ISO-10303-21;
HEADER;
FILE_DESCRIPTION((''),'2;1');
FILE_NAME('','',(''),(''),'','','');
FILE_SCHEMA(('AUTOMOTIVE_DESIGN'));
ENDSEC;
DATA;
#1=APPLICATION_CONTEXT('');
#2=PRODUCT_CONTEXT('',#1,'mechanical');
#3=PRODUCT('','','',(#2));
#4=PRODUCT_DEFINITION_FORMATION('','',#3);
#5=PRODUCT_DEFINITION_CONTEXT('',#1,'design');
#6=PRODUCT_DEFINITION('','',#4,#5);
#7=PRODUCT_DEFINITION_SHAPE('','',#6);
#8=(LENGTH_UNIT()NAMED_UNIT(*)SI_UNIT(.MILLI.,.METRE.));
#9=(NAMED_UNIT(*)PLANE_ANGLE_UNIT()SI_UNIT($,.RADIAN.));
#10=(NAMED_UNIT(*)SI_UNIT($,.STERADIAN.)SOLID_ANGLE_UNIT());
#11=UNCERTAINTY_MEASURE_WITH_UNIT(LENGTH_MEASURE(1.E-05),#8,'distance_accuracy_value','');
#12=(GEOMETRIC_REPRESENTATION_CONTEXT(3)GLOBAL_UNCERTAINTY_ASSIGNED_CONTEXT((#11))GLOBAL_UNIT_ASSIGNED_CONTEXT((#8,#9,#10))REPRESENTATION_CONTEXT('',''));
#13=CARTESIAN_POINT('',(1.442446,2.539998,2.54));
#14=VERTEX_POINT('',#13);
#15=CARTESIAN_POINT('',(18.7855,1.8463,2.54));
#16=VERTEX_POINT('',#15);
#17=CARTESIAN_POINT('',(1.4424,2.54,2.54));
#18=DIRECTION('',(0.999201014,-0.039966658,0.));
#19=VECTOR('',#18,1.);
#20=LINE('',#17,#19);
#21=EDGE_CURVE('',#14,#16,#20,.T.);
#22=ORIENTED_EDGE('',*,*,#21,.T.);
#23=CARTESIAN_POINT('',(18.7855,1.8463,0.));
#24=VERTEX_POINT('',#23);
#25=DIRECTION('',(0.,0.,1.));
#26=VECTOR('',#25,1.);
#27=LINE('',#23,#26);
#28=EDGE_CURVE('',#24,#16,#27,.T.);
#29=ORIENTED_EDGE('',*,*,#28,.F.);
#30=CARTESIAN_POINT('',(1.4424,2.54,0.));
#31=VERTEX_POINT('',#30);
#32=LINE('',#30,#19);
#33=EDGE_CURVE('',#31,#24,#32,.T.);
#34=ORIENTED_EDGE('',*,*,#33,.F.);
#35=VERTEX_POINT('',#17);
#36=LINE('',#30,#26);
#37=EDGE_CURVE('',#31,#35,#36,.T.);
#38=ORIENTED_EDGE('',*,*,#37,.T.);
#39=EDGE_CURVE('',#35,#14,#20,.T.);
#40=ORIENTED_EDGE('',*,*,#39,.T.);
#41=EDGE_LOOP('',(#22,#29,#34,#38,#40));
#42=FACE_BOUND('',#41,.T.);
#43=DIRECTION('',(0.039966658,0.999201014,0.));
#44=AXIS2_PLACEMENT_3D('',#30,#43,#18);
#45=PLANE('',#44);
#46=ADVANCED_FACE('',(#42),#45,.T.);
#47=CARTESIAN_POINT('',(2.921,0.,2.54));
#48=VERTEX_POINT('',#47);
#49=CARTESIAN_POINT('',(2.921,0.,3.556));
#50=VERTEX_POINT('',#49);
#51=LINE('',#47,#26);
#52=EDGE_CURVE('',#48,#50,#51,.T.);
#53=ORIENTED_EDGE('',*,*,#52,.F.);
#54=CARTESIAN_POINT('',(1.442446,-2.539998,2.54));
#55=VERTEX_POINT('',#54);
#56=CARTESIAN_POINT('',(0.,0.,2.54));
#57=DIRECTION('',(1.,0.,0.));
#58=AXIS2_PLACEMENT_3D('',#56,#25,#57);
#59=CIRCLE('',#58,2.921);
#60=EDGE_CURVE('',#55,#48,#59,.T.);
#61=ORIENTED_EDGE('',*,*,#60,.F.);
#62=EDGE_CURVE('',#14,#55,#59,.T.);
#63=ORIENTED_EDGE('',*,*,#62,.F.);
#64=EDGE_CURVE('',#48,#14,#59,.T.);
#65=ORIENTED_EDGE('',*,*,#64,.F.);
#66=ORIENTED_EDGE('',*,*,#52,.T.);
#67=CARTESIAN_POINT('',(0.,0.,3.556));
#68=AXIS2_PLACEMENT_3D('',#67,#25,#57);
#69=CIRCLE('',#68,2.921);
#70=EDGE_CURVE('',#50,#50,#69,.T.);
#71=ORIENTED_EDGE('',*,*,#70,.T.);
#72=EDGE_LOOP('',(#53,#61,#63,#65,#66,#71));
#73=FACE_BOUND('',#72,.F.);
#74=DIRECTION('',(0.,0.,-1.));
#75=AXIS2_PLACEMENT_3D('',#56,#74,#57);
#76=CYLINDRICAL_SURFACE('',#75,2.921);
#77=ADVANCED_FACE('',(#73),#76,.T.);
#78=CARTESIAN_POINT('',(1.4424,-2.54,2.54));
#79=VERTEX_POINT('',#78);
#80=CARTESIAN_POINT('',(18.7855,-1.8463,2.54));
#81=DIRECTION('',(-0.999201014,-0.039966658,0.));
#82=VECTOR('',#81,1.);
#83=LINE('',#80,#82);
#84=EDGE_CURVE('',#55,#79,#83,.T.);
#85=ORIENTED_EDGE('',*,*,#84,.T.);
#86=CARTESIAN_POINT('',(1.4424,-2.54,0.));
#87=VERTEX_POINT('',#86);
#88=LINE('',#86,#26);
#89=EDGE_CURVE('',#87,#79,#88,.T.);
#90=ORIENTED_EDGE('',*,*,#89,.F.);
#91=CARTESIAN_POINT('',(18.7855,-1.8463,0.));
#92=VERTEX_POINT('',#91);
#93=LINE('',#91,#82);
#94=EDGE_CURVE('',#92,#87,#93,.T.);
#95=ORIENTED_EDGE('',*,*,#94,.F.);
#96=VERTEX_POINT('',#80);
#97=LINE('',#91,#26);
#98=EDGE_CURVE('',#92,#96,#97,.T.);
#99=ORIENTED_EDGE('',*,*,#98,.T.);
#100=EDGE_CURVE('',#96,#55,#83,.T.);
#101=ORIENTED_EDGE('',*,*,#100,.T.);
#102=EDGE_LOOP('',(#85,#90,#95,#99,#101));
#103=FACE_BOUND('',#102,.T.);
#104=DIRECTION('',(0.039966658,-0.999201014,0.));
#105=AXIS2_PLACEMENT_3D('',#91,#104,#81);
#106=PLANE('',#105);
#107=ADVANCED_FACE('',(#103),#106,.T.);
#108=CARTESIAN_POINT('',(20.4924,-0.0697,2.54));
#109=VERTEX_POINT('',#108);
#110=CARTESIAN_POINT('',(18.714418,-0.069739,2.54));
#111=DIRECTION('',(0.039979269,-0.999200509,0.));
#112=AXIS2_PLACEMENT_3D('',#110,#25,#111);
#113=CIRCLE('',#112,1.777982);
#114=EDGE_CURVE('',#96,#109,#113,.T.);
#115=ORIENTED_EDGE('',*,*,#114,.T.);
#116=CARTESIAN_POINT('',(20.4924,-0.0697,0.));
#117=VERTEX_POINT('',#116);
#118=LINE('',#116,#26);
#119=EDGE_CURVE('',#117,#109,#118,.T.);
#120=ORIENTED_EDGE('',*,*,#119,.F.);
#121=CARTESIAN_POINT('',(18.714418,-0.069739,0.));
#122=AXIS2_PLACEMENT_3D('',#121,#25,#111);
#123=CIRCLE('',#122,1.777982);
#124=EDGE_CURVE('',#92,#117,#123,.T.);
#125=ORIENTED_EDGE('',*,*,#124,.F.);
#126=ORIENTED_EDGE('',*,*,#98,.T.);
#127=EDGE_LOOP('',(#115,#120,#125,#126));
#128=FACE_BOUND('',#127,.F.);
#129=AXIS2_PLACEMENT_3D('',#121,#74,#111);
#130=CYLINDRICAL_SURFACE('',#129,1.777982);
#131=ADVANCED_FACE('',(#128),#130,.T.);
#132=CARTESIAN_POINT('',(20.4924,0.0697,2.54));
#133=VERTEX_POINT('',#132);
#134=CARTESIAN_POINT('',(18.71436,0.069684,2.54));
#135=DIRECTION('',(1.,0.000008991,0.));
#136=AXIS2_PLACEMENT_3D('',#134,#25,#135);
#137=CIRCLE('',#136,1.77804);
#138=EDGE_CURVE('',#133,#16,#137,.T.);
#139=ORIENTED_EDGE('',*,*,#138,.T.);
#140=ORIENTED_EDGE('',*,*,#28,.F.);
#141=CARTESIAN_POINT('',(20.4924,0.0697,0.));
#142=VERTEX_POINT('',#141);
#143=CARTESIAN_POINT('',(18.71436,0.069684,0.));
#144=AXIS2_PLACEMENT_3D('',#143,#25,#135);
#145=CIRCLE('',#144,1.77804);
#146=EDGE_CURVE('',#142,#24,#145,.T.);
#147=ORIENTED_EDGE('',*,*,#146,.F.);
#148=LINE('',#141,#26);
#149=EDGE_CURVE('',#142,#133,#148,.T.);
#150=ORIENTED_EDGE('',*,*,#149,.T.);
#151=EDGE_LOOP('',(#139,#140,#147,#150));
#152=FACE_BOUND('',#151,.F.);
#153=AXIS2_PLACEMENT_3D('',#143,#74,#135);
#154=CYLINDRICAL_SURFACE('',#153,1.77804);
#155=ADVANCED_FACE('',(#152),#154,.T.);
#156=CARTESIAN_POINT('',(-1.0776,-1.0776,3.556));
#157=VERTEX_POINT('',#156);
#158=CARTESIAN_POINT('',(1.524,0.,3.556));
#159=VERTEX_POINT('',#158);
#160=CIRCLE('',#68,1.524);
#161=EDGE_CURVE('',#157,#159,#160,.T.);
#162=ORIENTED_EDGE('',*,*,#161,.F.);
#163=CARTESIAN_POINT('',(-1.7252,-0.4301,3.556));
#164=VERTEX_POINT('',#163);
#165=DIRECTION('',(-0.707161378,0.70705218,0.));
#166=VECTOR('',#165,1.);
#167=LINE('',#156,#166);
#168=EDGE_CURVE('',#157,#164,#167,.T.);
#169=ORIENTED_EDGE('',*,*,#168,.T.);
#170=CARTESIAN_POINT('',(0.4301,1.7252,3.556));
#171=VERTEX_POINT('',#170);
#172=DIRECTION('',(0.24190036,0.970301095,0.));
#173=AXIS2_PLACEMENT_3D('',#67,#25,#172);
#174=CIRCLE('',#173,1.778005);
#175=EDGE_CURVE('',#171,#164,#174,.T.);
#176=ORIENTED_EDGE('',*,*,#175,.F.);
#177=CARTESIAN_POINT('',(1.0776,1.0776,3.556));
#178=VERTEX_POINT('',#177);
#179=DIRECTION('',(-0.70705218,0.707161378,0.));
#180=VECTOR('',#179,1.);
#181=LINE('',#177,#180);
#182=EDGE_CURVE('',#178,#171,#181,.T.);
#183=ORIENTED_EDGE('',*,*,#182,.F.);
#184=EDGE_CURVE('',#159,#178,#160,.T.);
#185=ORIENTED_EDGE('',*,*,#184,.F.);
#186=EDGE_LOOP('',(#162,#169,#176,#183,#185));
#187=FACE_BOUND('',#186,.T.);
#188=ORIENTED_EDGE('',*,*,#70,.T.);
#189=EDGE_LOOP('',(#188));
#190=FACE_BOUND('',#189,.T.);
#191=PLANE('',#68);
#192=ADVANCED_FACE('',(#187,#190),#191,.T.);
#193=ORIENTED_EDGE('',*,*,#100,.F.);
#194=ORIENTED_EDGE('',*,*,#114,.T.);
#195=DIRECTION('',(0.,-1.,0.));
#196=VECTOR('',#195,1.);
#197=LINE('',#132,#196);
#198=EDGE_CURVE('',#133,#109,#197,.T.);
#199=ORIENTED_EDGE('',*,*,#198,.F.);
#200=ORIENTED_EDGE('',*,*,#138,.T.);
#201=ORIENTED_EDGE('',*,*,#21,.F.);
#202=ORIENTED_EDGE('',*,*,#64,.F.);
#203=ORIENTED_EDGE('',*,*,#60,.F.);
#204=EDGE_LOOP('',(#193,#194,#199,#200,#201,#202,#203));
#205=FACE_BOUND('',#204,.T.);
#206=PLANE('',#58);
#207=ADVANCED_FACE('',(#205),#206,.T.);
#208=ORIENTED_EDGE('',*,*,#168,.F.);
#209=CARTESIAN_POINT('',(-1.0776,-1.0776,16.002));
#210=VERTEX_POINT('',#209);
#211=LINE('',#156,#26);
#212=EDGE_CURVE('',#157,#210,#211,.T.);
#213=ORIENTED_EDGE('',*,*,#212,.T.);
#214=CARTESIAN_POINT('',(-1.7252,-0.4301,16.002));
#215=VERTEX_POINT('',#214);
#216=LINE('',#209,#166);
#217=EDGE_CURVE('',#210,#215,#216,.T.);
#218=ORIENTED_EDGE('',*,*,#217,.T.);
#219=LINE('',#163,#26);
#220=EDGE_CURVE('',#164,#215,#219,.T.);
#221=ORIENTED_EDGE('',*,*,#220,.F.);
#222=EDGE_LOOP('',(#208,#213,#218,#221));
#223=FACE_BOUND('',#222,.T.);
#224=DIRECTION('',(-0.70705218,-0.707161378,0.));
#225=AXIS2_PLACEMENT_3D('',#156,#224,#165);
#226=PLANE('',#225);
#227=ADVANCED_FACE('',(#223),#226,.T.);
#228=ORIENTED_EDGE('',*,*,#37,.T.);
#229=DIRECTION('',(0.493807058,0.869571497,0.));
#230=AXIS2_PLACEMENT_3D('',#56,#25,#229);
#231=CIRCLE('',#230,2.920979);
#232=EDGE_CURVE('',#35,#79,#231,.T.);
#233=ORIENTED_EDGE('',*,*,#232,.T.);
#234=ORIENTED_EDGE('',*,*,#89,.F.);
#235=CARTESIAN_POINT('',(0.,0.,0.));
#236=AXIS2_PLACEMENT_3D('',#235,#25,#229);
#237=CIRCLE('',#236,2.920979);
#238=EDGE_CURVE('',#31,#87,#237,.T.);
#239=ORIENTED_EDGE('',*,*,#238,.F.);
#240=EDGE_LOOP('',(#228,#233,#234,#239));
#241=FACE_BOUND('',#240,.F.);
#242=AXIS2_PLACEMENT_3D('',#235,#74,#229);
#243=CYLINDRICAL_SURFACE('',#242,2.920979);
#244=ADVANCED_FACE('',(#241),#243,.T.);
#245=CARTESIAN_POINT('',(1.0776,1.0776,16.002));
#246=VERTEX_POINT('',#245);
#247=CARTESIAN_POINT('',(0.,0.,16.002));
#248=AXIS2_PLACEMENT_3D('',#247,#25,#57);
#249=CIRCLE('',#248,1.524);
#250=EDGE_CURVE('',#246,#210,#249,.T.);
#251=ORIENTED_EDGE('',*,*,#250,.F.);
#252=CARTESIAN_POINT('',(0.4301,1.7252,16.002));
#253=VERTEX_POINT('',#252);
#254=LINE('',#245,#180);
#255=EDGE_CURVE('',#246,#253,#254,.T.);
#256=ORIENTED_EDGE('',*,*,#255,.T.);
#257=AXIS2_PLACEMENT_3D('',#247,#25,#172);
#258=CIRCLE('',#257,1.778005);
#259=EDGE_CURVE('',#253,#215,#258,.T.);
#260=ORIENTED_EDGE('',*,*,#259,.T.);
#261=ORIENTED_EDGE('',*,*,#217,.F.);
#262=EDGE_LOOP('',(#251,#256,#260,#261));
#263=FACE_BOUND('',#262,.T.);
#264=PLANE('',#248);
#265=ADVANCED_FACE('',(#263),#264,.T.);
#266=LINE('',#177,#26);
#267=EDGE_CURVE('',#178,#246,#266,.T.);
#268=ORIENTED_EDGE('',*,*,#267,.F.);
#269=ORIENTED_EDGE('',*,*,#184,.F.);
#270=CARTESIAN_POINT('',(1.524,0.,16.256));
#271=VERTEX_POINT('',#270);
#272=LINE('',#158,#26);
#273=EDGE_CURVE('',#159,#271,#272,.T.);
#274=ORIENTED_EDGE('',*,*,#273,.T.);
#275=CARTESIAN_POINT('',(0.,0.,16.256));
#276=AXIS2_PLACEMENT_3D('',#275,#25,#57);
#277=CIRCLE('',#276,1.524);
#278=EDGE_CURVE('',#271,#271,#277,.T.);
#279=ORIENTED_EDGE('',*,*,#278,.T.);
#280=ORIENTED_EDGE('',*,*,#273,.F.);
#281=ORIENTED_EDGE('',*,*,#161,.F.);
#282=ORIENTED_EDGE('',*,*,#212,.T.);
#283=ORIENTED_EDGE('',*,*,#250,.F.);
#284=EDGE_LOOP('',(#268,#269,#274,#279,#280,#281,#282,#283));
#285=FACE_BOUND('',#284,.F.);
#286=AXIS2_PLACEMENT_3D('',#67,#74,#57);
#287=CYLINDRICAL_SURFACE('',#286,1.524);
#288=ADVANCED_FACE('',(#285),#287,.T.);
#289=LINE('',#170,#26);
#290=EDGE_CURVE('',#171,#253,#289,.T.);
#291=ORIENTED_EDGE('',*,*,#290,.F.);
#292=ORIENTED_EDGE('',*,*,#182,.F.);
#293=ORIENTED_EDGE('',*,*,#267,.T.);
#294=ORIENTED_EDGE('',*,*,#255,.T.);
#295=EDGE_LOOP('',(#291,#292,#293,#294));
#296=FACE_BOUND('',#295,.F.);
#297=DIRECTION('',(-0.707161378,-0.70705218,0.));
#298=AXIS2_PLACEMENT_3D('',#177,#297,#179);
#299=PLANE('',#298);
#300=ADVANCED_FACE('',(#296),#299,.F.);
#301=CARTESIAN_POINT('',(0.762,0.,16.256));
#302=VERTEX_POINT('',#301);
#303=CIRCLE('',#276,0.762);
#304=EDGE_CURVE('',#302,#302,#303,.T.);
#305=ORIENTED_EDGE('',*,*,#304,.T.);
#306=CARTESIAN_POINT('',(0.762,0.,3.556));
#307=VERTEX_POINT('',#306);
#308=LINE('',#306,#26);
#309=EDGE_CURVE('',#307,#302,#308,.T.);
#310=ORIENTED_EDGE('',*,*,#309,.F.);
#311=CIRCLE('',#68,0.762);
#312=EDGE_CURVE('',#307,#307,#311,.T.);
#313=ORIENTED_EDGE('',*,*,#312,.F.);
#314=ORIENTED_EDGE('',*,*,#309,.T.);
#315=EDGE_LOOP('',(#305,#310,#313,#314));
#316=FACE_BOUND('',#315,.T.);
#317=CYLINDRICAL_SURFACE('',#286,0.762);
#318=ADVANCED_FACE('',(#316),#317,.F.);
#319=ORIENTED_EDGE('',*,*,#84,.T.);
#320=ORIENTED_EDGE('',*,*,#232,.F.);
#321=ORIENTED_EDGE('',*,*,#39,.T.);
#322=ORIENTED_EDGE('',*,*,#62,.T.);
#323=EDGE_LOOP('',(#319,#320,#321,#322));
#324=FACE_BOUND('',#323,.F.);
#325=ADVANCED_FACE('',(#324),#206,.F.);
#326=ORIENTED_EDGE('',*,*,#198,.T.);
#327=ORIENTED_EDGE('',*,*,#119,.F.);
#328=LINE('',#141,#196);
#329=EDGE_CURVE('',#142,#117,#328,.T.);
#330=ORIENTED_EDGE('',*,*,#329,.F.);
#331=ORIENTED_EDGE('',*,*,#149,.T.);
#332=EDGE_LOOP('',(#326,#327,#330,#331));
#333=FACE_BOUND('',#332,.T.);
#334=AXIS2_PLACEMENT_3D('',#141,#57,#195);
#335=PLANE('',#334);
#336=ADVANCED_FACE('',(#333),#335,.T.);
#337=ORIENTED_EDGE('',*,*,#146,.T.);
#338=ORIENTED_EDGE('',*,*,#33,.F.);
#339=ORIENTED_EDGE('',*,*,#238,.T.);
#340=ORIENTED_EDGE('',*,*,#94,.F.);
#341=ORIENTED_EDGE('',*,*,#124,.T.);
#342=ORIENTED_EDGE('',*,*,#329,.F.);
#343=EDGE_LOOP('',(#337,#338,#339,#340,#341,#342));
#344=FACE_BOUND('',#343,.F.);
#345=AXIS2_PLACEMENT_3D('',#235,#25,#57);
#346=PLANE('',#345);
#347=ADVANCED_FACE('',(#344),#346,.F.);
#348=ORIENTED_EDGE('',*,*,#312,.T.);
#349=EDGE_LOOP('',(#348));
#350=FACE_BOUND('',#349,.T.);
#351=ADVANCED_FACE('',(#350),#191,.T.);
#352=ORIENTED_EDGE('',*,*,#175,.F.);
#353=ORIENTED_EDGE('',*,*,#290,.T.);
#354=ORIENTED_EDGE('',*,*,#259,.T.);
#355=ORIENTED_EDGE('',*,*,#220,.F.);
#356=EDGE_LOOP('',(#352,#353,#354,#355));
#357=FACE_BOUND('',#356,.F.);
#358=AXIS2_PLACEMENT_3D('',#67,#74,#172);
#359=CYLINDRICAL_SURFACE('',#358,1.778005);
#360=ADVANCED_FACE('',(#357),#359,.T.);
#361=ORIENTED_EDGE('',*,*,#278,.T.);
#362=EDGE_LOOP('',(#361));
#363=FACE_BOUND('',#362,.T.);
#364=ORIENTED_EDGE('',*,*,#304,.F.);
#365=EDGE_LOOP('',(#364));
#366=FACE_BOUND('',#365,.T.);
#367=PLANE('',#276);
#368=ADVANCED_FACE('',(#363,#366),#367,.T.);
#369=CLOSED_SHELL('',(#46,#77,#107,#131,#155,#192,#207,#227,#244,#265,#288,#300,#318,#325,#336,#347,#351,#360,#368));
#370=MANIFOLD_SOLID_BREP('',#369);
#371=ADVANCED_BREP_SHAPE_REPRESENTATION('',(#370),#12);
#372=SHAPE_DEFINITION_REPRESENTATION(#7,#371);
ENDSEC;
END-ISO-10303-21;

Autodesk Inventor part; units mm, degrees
ref_plane "YZ Plane" through (0, 0, 0) normal (1, 0, 0) x (0, 1, 0)
ref_plane "XZ Plane" through (0, 0, 0) normal (0, 1, 0) x (-1, 0, 0)
ref_plane "XY Plane" through (0, 0, 0) normal (0, 0, 1) x (1, 0, 0)
sketch "Sketch1" plane through (0, 0, 0) normal (0, 0, 1) x (1, 0, 0)
  arc A0 (1.4424, 2.54) -> (1.4424, -2.54) centre (0, 0) ccw
  line L0 (1.4424, 2.54) -> (18.7855, 1.8463)
  line L1 (18.7855, -1.8463) -> (1.4424, -2.54)
  line L2 (20.4924, 0.0697) -> (20.4924, -0.0697)
  arc A1 (18.7855, -1.8463) -> (20.4924, -0.0697) centre (18.7144, -0.0697) ccw
  arc A2 (20.4924, 0.0697) -> (18.7855, 1.8463) centre (18.7144, 0.0697) ccw
  point P0 (20.4924, 1.778)
  point P1 (20.4924, -1.778)
  point P2 (20.4924, 0)
  dimension "d0" = 5.842
  dimension "d1" = 5.08
  dimension "d2" = 3.556
  dimension "d3" = 1.778
  dimension "d4" = 19.05
  dimension "d5" = 1.778
extrude "Extrusion1" add sketch "Sketch1" along normal blind 2.54
sketch "Sketch2" plane through (0, 0, 2.54) normal (0, 0, 1) x (1, 0, 0)
  circle A0 centre (0, 0) radius 2.921
extrude "Extrusion2" add sketch "Sketch2" along normal blind 1.016
sketch "Sketch3" plane through (0, 0, 3.556) normal (0, 0, 1) x (1, 0, 0)
  circle A0 centre (0, 0) radius 0.762
  circle A1 centre (0, 0) radius 1.524
  dimension "d10" = 1.524
  dimension "d11" = 0.762
extrude "Extrusion3" add sketch "Sketch3" along normal blind 12.7
sketch "Sketch4" plane through (0, 0, 3.556) normal (0, 0, 1) x (1, 0, 0)
  circle A0 centre (0, 0) radius 1.524 projected
  line L0 (1.0776, 1.0776) -> (0.4301, 1.7252)
  line L1 (-1.0776, -1.0776) -> (-1.7252, -0.4301)
  arc A1 (0.4301, 1.7252) -> (-1.7252, -0.4301) centre (0, 0) ccw
  arc A2 (1.0776, 1.0776) -> (-1.0776, -1.0776) centre (0, 0) ccw
  dimension "d17" = 3.302
extrude "Extrusion5" add sketch "Sketch4" along normal blind 12.446 contours A0 L1 A1 L0
properties part number "Right leg distributor" material "Phenolic Resin"
